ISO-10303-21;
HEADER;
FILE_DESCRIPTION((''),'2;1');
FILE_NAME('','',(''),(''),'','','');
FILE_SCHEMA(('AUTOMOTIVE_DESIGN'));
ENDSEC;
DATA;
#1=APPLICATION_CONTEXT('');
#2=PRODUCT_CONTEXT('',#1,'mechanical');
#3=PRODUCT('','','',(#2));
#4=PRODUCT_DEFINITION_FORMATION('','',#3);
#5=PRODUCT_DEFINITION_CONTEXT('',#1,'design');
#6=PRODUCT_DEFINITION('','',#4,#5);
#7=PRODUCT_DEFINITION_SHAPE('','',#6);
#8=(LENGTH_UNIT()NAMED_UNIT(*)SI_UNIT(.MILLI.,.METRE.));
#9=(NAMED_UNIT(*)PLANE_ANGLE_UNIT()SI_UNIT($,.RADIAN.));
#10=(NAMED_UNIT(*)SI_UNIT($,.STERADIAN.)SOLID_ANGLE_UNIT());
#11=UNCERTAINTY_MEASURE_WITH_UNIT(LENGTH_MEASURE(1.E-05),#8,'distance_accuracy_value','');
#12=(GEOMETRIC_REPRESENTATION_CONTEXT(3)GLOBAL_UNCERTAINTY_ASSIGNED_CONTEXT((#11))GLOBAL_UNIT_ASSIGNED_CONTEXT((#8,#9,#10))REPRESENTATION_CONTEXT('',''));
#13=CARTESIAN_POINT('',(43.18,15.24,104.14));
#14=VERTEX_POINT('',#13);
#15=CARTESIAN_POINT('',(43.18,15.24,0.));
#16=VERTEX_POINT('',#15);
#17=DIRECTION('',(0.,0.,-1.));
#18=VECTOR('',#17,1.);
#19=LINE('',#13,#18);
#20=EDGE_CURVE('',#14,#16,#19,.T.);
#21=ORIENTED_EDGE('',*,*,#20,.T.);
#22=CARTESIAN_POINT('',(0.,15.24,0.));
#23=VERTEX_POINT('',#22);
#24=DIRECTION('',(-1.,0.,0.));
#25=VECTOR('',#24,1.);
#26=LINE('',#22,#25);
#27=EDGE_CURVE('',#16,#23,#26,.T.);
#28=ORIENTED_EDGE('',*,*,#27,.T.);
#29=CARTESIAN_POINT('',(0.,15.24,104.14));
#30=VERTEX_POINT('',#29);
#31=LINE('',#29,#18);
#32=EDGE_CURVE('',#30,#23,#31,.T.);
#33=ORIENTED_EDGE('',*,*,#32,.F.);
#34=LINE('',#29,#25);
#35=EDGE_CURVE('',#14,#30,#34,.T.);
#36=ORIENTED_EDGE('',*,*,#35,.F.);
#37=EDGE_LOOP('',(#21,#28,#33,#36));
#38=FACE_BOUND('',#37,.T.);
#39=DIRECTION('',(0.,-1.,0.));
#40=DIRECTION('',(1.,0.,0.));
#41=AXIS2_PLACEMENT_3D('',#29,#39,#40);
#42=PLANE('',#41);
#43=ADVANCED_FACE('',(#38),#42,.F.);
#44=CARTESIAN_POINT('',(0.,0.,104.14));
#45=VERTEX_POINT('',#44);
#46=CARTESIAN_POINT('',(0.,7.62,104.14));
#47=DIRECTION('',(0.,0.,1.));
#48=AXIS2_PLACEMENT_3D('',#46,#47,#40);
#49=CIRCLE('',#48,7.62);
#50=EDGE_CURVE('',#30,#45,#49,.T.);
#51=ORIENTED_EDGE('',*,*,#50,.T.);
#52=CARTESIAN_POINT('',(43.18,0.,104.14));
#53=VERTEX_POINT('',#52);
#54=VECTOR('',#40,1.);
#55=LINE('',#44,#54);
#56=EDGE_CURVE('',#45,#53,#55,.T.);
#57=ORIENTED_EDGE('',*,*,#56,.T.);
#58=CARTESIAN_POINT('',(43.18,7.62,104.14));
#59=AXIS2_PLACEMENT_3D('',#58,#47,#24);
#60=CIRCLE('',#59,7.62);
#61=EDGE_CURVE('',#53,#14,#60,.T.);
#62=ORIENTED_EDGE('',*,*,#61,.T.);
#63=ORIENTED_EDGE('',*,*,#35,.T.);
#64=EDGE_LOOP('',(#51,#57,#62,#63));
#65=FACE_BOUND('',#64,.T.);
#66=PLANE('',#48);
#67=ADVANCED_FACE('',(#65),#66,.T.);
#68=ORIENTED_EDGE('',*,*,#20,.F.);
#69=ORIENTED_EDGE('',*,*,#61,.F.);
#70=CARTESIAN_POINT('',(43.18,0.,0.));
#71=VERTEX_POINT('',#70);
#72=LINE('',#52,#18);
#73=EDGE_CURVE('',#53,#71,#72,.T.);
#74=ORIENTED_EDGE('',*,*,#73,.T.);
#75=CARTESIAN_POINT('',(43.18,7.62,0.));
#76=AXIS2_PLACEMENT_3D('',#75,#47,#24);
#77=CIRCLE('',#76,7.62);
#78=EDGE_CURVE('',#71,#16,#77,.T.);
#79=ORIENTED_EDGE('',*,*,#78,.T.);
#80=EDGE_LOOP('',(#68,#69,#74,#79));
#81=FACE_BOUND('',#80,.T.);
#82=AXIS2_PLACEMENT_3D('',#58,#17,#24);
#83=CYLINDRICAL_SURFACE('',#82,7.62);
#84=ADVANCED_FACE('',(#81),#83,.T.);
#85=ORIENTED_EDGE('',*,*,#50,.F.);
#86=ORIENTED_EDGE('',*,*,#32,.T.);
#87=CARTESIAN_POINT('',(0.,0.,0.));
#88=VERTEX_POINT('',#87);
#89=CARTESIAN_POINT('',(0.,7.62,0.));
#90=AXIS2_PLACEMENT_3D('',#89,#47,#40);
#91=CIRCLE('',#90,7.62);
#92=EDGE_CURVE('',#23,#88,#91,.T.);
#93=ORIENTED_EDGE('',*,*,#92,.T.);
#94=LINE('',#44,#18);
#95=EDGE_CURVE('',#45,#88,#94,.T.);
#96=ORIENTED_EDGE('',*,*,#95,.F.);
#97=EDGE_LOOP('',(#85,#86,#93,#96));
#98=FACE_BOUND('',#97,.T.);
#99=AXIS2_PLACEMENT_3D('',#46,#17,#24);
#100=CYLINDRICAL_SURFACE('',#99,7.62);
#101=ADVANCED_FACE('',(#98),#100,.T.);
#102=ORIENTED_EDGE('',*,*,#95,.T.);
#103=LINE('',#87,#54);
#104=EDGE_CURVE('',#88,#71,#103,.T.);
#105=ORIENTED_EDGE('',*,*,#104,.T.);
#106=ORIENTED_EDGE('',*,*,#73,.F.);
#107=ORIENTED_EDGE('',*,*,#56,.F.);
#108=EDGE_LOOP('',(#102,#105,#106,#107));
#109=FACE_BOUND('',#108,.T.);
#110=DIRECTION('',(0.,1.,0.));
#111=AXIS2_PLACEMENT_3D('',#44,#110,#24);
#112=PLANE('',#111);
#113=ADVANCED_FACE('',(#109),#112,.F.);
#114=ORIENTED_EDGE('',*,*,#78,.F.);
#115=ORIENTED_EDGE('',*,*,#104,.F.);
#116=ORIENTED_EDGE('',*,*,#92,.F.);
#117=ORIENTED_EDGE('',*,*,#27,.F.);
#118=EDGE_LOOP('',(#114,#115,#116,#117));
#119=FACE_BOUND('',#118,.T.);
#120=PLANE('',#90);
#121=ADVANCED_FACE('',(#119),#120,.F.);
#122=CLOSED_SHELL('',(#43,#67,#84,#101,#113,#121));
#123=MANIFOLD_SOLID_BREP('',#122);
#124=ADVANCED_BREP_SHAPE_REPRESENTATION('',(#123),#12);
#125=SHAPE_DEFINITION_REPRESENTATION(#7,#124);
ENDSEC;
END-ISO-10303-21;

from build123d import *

# Parameters (mm, degrees)
BOSS_EXTRUDE1_DEPTH = 104.14


with BuildPart() as part:
    # Sketch1 → Boss-Extrude1 (new body)
    with BuildSketch(Plane.XY):
        with BuildLine():
            Line((0, 15.24), (43.18, 15.24))
            ThreePointArc((43.18, 15.24), (50.8, 7.62), (43.18, 0))
            Line((43.18, 0), (0, 0))
            ThreePointArc((0, 0), (-7.62, 7.62), (0, 15.24))
        make_face()
    extrude(amount=BOSS_EXTRUDE1_DEPTH)


solid = part.part
